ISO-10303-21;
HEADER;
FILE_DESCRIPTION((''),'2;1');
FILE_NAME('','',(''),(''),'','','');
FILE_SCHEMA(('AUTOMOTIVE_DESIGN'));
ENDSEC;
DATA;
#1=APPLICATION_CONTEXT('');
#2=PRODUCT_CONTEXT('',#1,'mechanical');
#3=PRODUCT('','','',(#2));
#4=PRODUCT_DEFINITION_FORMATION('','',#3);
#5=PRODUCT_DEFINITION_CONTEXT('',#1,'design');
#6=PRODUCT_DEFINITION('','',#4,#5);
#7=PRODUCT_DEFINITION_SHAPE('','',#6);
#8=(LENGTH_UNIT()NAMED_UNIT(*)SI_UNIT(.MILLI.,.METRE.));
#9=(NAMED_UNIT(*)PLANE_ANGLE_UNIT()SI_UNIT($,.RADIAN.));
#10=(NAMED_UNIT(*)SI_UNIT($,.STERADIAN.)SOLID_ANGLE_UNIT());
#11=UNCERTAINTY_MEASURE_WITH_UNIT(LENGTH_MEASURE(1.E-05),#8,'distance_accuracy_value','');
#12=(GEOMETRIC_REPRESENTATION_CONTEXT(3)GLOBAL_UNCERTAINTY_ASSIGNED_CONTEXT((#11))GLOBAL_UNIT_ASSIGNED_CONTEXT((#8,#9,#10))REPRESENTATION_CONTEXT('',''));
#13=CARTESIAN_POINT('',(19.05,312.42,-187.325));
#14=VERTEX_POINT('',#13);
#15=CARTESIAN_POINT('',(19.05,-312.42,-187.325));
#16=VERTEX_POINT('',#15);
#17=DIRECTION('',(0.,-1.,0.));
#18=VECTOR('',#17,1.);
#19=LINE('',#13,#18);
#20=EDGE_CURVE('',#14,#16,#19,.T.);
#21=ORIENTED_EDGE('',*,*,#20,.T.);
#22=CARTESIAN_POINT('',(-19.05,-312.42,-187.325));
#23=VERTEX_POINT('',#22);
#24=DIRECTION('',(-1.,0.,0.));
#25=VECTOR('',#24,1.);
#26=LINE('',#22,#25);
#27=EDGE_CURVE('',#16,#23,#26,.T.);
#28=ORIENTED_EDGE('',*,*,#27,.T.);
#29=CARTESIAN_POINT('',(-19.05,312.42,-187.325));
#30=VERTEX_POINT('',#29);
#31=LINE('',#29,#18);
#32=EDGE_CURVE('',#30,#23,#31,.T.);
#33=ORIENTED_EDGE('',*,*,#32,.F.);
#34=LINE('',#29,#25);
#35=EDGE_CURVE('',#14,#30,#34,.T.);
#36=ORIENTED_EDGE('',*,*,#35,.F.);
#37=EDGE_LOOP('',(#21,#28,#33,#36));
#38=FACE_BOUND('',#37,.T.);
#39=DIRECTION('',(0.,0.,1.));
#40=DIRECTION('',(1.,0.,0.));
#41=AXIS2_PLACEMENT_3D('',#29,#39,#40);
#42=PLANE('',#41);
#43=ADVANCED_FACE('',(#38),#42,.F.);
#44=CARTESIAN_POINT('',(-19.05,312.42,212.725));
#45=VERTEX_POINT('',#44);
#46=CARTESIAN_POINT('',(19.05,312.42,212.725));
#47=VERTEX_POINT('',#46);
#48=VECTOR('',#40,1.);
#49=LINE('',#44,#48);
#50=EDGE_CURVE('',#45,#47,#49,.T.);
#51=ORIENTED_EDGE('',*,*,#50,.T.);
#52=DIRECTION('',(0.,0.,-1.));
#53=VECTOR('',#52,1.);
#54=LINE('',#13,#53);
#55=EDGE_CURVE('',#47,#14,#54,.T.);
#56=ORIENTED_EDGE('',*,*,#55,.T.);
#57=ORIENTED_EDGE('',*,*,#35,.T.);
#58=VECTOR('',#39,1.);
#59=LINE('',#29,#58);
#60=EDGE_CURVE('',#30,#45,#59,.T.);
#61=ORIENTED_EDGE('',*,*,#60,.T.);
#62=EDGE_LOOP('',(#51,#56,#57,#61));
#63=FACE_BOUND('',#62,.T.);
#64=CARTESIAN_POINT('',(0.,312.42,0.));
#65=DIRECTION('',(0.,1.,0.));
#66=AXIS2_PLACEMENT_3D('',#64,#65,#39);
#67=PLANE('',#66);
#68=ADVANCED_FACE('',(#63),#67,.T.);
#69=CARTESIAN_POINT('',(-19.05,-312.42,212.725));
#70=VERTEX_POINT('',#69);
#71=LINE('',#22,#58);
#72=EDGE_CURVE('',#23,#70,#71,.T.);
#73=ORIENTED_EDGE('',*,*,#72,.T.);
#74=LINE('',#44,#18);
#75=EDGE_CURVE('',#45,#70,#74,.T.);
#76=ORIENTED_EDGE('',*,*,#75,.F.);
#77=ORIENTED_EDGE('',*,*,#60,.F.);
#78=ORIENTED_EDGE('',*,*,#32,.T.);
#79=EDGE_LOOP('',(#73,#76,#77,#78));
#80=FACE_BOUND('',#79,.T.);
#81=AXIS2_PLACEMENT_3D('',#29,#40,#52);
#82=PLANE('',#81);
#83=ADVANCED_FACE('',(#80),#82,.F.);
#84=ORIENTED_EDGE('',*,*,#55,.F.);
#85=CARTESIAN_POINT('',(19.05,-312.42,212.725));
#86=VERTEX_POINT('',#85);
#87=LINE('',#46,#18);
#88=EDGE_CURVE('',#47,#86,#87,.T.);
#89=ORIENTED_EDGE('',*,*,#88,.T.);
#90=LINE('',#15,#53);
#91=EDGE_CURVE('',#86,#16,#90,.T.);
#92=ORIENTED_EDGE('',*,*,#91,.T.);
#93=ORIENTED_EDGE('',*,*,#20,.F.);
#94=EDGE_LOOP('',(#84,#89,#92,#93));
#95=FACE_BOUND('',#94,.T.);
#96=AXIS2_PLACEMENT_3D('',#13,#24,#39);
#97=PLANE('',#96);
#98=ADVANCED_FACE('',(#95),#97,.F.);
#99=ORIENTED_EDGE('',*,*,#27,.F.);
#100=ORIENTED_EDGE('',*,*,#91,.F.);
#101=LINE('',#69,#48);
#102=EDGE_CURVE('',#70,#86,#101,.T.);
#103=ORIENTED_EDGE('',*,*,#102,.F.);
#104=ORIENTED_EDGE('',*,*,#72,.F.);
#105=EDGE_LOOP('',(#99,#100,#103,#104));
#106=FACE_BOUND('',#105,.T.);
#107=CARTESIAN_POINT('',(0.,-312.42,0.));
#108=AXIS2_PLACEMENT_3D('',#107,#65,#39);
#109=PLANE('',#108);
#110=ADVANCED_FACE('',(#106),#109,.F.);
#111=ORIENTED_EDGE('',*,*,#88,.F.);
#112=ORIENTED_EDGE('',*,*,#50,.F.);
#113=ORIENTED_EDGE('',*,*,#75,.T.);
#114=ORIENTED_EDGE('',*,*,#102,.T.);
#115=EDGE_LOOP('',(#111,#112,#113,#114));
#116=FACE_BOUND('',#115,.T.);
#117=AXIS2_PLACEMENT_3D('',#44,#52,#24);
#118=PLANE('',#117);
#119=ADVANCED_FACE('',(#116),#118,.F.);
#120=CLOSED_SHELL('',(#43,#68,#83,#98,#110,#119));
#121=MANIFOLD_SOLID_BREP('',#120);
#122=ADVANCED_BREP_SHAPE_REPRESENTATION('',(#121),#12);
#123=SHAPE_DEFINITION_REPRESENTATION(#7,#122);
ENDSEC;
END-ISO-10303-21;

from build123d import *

# Parameters (mm, degrees)
SKETCH1_W           = 38.1
SKETCH1_H           = 400.05
BOSS_EXTRUDE1_DEPTH = 312.42


with BuildPart() as part:
    # Sketch1 → Boss-Extrude1 (new, symmetric)
    with BuildSketch(Plane(origin=(0, 0, 0), x_dir=(1, 0, 0), z_dir=(0, 1, 0))):
        with Locations((0, -12.7)):
            Rectangle(SKETCH1_W, SKETCH1_H)
    extrude(amount=BOSS_EXTRUDE1_DEPTH, both=True)


solid = part.part
